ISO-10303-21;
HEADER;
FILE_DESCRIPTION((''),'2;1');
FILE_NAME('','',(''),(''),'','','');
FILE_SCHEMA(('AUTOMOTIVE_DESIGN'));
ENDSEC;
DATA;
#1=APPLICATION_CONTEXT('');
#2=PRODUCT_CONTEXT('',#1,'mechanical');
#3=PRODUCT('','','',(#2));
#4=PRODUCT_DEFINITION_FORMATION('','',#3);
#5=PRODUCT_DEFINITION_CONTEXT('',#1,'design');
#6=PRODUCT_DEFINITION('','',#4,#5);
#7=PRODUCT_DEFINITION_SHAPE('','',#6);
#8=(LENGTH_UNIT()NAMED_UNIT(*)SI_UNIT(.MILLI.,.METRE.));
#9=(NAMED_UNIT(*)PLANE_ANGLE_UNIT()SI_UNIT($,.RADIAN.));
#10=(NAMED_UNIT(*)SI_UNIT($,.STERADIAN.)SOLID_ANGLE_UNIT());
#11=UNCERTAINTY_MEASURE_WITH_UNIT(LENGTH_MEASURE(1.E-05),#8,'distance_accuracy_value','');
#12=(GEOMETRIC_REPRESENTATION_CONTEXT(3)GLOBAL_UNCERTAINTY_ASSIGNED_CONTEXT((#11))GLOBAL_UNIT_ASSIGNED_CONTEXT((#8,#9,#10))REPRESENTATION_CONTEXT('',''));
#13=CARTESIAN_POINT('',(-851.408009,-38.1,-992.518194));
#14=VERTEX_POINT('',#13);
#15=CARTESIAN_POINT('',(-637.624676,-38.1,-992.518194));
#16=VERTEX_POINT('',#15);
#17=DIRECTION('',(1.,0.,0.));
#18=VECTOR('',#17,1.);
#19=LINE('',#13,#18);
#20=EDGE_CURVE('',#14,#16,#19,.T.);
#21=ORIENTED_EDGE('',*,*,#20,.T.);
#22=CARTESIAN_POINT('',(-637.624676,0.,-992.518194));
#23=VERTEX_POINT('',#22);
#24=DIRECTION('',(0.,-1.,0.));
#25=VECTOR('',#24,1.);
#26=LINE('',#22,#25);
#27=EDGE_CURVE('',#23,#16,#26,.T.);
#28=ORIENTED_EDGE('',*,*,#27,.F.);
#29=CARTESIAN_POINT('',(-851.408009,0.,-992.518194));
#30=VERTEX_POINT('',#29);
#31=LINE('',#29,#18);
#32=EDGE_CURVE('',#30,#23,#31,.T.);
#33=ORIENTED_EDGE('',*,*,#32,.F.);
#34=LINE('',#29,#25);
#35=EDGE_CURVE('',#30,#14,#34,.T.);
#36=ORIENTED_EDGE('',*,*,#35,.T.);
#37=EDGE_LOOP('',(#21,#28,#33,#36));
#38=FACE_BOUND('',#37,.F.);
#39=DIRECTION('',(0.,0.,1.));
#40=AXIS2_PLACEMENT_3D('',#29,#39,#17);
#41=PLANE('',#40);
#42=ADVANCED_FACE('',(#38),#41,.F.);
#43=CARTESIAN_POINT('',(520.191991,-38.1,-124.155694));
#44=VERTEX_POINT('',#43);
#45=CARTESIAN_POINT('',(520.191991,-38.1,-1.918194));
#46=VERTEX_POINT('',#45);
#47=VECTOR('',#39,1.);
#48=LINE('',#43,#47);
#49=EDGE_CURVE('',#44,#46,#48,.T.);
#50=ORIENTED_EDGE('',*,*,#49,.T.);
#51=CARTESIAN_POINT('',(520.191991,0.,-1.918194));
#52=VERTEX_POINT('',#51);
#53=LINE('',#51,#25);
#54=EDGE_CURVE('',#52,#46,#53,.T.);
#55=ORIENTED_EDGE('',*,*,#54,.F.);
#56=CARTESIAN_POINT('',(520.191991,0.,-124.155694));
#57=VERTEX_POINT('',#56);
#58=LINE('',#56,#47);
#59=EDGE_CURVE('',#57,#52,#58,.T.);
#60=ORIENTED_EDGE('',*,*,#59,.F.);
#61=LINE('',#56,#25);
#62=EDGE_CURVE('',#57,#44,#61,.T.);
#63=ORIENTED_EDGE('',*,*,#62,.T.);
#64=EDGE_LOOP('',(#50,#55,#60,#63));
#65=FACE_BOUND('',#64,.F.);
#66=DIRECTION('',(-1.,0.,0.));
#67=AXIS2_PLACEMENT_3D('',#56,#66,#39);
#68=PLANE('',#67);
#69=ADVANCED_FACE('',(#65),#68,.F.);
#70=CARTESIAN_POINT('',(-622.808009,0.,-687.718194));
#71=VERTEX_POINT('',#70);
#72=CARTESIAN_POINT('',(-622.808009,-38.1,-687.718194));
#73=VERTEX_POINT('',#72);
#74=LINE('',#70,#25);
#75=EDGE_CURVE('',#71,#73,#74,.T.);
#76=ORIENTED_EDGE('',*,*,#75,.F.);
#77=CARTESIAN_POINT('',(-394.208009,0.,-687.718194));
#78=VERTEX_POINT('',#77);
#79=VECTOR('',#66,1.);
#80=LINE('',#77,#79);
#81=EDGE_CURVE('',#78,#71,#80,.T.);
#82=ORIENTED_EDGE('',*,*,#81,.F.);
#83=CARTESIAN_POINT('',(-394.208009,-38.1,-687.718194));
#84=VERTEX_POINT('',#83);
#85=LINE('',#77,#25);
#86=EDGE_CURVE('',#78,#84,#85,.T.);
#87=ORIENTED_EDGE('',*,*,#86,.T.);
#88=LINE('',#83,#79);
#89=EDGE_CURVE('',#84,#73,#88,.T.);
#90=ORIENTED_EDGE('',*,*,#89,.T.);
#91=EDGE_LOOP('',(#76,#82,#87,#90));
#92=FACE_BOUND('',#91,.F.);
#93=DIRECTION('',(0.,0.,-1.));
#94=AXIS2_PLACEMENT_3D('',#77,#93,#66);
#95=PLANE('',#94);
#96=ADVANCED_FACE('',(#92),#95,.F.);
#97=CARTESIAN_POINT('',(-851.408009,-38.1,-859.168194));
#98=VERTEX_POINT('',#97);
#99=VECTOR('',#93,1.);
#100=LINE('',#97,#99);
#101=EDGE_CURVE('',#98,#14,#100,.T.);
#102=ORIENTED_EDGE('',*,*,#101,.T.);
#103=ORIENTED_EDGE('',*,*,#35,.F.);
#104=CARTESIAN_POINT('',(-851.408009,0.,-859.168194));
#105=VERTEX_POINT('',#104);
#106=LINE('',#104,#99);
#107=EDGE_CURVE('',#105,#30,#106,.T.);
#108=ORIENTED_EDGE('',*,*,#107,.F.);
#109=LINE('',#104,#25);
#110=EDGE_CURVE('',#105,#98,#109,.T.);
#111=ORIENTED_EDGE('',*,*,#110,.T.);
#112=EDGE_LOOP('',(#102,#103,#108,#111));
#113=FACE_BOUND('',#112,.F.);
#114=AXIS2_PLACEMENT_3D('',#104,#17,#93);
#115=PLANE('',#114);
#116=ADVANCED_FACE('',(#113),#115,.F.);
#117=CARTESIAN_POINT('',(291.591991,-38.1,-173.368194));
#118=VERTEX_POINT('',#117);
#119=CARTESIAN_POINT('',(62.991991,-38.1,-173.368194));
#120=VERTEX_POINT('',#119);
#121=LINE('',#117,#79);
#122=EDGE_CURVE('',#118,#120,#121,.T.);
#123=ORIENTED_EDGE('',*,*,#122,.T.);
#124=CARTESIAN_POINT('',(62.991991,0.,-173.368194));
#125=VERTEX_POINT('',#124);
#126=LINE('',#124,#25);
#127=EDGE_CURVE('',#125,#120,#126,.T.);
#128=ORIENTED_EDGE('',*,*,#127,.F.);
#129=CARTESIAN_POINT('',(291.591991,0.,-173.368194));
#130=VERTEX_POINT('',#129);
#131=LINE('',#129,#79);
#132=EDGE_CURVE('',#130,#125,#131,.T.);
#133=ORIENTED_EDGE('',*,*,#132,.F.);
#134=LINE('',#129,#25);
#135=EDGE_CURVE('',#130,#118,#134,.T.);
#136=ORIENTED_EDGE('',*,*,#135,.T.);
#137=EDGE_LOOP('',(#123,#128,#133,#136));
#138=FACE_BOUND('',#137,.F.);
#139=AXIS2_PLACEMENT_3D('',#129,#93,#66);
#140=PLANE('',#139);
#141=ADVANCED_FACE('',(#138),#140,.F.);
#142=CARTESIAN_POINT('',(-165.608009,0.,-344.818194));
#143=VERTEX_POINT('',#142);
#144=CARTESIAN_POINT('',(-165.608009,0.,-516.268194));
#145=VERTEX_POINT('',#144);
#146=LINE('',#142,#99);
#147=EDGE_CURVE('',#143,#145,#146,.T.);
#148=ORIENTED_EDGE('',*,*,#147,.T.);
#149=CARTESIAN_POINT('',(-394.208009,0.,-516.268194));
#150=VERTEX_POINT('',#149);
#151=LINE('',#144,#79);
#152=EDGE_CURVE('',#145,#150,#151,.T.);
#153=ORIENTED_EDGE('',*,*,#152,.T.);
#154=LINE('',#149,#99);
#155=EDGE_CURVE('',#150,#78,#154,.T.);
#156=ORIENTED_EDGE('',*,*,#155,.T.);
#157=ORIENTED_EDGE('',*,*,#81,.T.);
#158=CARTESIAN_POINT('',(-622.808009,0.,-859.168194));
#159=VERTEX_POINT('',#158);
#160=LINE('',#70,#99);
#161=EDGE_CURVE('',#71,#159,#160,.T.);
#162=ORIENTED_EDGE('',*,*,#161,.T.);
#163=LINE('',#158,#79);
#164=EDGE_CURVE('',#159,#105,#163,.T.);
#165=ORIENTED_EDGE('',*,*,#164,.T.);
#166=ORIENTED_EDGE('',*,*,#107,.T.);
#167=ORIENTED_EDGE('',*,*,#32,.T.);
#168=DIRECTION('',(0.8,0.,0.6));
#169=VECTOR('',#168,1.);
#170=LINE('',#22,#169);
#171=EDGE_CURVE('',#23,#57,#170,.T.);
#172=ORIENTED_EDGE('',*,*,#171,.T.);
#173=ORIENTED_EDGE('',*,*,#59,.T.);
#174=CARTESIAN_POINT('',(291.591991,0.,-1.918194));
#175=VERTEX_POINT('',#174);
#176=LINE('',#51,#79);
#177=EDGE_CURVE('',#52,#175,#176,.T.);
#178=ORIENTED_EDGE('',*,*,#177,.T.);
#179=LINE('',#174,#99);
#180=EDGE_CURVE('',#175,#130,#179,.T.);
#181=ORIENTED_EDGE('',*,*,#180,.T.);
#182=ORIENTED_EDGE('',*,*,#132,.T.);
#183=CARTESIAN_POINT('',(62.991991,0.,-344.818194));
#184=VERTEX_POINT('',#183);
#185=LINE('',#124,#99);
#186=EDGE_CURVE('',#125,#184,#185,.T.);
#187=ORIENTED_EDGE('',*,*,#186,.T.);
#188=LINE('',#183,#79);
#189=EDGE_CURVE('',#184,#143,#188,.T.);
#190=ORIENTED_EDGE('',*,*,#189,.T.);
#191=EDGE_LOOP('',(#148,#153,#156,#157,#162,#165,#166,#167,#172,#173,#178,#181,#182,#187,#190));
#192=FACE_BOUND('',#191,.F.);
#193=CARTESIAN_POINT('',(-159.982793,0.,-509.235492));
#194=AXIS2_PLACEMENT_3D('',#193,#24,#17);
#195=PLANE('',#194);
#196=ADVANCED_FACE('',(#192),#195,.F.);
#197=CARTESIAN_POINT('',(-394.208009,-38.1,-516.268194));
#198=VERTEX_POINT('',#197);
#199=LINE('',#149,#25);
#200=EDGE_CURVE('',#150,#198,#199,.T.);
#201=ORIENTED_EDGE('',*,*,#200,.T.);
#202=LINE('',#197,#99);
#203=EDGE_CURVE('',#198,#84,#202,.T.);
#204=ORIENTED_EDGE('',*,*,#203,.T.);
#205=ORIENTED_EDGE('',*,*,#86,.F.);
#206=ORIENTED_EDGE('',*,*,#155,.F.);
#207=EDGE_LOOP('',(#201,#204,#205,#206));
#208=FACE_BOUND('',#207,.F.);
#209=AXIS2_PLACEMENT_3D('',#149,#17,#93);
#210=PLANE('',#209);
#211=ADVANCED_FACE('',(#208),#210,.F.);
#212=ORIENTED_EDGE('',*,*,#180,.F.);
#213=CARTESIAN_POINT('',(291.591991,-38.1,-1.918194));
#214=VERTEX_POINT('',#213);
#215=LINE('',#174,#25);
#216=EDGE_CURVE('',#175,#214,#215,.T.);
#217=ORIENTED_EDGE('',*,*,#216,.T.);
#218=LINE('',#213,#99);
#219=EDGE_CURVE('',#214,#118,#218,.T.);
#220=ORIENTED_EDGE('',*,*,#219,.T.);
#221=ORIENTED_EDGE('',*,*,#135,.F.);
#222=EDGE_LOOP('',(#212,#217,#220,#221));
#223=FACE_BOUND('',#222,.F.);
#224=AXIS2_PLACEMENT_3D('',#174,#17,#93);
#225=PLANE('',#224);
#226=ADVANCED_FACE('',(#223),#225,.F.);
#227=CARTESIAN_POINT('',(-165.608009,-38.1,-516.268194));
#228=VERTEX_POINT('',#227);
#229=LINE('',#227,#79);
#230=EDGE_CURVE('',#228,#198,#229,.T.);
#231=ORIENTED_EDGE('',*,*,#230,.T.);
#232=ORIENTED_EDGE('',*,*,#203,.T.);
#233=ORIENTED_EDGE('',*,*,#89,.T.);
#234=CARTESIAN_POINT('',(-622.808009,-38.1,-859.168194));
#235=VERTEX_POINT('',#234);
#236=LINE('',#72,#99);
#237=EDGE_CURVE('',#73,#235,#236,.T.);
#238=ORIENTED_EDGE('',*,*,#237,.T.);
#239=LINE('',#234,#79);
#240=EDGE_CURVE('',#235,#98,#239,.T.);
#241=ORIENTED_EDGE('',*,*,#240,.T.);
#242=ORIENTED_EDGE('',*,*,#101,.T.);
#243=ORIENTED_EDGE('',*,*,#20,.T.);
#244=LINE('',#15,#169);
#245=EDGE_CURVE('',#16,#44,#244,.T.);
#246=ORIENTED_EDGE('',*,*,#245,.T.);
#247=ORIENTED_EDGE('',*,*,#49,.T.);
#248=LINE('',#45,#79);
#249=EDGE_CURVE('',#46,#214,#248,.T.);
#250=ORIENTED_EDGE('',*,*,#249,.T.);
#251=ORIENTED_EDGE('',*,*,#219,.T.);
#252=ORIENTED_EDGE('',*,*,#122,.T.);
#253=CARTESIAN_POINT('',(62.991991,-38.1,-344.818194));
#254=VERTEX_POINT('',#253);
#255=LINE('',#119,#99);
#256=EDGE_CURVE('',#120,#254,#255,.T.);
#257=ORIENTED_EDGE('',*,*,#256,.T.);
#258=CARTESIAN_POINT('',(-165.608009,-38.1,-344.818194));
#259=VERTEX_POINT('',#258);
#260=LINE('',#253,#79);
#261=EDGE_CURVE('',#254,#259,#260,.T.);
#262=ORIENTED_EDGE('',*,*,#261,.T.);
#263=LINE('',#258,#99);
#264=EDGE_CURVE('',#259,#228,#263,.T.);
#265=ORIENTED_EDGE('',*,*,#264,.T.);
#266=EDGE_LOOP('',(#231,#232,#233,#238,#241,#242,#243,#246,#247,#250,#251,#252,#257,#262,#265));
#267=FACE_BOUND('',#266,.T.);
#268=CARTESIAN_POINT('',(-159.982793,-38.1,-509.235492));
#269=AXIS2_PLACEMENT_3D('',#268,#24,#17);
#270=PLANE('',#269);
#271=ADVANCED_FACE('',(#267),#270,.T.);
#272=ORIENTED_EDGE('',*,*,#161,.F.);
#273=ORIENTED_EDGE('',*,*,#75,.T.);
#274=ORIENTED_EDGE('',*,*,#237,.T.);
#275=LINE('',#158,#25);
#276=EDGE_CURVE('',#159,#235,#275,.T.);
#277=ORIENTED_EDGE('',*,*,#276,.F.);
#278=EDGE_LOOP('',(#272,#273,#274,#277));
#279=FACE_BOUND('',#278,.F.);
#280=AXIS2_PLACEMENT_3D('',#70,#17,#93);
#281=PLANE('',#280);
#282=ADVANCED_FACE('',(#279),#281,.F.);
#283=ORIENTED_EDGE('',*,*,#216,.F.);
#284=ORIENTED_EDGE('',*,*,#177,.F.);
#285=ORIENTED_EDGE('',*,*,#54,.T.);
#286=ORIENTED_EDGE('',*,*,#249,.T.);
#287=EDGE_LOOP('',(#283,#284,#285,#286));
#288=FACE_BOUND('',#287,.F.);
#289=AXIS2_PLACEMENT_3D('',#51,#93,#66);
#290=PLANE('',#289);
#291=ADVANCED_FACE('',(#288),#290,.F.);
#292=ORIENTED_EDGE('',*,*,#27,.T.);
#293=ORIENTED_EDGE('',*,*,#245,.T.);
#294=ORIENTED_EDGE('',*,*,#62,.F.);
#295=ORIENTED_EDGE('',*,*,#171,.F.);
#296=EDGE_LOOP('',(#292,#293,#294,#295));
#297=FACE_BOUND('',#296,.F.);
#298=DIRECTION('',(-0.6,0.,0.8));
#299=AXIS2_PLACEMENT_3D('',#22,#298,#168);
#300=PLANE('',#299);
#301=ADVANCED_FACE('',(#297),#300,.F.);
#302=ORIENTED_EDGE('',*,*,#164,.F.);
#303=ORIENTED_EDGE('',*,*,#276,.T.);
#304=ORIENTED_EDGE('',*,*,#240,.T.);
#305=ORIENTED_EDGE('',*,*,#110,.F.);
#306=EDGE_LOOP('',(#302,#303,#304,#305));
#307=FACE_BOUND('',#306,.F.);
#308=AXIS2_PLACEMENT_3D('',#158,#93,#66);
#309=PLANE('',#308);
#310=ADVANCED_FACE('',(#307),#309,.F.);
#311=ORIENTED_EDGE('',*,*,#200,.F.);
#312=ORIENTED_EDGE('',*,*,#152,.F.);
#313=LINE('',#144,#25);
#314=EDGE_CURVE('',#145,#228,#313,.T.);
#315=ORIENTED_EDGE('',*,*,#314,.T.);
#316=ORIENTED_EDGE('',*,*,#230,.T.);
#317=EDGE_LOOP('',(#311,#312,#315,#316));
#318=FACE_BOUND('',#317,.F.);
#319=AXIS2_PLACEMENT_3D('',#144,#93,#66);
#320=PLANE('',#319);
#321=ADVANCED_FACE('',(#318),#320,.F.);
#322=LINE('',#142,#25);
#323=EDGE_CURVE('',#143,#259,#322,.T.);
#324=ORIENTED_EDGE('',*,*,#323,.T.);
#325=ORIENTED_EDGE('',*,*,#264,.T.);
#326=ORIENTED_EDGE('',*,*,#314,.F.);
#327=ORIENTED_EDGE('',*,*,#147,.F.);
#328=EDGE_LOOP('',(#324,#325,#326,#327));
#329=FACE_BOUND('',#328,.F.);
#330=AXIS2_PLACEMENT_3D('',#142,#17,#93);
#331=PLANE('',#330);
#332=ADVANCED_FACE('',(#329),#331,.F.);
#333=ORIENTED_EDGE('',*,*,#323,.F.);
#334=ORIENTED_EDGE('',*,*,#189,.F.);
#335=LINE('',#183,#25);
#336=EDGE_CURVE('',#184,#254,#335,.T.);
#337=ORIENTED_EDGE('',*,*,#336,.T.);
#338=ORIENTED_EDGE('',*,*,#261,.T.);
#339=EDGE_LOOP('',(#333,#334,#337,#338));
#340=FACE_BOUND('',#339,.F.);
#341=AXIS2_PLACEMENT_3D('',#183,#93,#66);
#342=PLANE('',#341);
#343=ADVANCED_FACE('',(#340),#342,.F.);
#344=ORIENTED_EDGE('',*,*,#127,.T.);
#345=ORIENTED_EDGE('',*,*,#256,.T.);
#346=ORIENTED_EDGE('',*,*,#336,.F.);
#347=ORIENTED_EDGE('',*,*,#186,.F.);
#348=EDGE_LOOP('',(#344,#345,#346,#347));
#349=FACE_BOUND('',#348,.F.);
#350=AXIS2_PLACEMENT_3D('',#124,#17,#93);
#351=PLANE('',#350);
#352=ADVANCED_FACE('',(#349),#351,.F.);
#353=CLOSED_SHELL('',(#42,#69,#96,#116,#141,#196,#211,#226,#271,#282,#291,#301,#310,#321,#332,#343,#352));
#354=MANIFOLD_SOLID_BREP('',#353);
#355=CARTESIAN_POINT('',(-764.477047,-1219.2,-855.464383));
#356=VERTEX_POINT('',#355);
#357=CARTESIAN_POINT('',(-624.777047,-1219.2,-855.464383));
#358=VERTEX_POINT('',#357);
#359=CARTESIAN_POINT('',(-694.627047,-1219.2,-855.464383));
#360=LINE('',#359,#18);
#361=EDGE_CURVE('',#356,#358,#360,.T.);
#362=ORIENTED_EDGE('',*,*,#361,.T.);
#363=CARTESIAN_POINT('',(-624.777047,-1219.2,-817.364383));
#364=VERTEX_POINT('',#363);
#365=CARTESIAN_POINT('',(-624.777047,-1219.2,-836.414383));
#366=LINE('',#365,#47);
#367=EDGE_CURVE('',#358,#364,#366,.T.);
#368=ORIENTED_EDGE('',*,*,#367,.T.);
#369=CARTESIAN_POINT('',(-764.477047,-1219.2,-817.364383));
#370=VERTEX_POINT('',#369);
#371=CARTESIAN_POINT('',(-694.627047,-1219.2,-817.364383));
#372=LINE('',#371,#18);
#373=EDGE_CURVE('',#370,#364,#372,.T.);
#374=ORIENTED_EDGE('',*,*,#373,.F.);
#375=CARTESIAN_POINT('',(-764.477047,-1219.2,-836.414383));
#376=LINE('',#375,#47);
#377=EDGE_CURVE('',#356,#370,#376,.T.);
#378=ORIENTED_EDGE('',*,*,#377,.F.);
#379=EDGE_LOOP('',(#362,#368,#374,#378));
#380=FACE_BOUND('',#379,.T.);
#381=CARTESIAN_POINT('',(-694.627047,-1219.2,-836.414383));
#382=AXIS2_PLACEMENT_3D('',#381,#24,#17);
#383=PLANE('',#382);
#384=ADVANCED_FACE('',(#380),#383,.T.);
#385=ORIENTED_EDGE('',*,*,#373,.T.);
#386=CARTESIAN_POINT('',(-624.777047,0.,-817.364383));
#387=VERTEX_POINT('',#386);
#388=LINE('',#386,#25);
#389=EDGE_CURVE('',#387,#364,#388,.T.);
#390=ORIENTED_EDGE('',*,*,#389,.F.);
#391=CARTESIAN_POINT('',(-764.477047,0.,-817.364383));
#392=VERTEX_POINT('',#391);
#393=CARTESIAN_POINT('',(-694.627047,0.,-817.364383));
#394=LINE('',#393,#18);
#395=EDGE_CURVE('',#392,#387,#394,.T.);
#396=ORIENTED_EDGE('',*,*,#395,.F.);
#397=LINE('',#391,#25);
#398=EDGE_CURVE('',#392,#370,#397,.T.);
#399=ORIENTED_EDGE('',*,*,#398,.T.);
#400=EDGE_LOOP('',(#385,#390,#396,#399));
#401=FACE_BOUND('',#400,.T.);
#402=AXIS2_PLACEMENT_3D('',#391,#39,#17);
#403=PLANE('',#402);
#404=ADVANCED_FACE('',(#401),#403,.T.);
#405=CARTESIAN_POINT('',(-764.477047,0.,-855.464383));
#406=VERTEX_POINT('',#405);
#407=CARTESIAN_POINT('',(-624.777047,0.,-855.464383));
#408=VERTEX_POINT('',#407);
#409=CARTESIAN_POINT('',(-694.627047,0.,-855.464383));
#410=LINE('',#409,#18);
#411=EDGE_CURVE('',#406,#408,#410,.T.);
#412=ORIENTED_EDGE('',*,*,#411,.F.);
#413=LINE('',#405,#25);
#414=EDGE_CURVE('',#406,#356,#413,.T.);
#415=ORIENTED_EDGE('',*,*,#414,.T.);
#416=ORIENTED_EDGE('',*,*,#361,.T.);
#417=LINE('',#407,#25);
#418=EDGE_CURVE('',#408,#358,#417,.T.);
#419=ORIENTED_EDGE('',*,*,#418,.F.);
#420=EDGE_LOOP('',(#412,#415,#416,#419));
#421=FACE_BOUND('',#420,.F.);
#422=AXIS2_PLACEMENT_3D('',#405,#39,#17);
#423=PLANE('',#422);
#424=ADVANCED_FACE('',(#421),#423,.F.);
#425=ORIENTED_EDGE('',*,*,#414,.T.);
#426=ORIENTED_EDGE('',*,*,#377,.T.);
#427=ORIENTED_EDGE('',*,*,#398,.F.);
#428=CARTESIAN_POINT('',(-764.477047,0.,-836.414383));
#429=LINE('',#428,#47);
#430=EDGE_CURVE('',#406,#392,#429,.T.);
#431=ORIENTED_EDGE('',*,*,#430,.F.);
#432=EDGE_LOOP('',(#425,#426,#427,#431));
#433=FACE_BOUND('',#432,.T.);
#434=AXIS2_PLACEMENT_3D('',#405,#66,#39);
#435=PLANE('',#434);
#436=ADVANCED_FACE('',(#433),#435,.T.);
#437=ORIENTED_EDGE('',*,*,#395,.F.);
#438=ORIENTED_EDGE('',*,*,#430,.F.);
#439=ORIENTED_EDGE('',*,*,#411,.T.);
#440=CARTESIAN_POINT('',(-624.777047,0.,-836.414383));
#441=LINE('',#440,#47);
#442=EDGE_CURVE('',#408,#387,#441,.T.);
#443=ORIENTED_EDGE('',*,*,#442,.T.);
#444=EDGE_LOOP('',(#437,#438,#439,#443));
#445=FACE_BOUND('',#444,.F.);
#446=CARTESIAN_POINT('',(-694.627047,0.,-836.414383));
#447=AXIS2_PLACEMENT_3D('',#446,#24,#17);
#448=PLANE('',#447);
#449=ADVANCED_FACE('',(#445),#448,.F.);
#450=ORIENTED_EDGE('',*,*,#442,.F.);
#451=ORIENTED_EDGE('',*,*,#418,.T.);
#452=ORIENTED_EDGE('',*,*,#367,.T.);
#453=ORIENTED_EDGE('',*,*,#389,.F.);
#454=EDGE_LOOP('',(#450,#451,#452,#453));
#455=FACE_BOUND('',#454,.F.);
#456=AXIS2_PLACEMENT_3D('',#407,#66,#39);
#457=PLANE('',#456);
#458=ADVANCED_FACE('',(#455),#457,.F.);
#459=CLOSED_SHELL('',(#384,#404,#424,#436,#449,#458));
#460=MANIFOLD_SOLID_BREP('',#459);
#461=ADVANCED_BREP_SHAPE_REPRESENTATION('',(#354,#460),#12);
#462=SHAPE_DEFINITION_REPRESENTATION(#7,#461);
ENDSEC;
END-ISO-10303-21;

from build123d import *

# Parameters (mm, degrees)
F1_DEPTH = 38.1
F2_W     = 139.7
F2_H     = 38.1
F3_DEPTH = 1219.2


with BuildPart() as f1:
    # F0 (on Front) → F1 (new body)
    with BuildSketch(Plane.XZ):
        Polygon((520.191991, -124.155694), (520.191991, -1.918194), (291.591991, -1.918194), (291.591991, -173.368194), (62.991991, -173.368194), (62.991991, -344.818194), (-165.608009, -344.818194), (-165.608009, -516.268194), (-394.208009, -516.268194), (-394.208009, -687.718194), (-622.808009, -687.718194), (-622.808009, -859.168194), (-851.408009, -859.168194), (-851.408009, -992.518194), (-637.624676, -992.518194), align=None)
    extrude(amount=F1_DEPTH)


with BuildPart() as f3:
    # F2 (on Front) → F3 (new body)
    with BuildSketch(Plane.XZ):
        with Locations((-694.627047, -836.414383)):
            Rectangle(F2_W, F2_H)
    extrude(amount=F3_DEPTH)


solid = Compound([f1.part, f3.part])
